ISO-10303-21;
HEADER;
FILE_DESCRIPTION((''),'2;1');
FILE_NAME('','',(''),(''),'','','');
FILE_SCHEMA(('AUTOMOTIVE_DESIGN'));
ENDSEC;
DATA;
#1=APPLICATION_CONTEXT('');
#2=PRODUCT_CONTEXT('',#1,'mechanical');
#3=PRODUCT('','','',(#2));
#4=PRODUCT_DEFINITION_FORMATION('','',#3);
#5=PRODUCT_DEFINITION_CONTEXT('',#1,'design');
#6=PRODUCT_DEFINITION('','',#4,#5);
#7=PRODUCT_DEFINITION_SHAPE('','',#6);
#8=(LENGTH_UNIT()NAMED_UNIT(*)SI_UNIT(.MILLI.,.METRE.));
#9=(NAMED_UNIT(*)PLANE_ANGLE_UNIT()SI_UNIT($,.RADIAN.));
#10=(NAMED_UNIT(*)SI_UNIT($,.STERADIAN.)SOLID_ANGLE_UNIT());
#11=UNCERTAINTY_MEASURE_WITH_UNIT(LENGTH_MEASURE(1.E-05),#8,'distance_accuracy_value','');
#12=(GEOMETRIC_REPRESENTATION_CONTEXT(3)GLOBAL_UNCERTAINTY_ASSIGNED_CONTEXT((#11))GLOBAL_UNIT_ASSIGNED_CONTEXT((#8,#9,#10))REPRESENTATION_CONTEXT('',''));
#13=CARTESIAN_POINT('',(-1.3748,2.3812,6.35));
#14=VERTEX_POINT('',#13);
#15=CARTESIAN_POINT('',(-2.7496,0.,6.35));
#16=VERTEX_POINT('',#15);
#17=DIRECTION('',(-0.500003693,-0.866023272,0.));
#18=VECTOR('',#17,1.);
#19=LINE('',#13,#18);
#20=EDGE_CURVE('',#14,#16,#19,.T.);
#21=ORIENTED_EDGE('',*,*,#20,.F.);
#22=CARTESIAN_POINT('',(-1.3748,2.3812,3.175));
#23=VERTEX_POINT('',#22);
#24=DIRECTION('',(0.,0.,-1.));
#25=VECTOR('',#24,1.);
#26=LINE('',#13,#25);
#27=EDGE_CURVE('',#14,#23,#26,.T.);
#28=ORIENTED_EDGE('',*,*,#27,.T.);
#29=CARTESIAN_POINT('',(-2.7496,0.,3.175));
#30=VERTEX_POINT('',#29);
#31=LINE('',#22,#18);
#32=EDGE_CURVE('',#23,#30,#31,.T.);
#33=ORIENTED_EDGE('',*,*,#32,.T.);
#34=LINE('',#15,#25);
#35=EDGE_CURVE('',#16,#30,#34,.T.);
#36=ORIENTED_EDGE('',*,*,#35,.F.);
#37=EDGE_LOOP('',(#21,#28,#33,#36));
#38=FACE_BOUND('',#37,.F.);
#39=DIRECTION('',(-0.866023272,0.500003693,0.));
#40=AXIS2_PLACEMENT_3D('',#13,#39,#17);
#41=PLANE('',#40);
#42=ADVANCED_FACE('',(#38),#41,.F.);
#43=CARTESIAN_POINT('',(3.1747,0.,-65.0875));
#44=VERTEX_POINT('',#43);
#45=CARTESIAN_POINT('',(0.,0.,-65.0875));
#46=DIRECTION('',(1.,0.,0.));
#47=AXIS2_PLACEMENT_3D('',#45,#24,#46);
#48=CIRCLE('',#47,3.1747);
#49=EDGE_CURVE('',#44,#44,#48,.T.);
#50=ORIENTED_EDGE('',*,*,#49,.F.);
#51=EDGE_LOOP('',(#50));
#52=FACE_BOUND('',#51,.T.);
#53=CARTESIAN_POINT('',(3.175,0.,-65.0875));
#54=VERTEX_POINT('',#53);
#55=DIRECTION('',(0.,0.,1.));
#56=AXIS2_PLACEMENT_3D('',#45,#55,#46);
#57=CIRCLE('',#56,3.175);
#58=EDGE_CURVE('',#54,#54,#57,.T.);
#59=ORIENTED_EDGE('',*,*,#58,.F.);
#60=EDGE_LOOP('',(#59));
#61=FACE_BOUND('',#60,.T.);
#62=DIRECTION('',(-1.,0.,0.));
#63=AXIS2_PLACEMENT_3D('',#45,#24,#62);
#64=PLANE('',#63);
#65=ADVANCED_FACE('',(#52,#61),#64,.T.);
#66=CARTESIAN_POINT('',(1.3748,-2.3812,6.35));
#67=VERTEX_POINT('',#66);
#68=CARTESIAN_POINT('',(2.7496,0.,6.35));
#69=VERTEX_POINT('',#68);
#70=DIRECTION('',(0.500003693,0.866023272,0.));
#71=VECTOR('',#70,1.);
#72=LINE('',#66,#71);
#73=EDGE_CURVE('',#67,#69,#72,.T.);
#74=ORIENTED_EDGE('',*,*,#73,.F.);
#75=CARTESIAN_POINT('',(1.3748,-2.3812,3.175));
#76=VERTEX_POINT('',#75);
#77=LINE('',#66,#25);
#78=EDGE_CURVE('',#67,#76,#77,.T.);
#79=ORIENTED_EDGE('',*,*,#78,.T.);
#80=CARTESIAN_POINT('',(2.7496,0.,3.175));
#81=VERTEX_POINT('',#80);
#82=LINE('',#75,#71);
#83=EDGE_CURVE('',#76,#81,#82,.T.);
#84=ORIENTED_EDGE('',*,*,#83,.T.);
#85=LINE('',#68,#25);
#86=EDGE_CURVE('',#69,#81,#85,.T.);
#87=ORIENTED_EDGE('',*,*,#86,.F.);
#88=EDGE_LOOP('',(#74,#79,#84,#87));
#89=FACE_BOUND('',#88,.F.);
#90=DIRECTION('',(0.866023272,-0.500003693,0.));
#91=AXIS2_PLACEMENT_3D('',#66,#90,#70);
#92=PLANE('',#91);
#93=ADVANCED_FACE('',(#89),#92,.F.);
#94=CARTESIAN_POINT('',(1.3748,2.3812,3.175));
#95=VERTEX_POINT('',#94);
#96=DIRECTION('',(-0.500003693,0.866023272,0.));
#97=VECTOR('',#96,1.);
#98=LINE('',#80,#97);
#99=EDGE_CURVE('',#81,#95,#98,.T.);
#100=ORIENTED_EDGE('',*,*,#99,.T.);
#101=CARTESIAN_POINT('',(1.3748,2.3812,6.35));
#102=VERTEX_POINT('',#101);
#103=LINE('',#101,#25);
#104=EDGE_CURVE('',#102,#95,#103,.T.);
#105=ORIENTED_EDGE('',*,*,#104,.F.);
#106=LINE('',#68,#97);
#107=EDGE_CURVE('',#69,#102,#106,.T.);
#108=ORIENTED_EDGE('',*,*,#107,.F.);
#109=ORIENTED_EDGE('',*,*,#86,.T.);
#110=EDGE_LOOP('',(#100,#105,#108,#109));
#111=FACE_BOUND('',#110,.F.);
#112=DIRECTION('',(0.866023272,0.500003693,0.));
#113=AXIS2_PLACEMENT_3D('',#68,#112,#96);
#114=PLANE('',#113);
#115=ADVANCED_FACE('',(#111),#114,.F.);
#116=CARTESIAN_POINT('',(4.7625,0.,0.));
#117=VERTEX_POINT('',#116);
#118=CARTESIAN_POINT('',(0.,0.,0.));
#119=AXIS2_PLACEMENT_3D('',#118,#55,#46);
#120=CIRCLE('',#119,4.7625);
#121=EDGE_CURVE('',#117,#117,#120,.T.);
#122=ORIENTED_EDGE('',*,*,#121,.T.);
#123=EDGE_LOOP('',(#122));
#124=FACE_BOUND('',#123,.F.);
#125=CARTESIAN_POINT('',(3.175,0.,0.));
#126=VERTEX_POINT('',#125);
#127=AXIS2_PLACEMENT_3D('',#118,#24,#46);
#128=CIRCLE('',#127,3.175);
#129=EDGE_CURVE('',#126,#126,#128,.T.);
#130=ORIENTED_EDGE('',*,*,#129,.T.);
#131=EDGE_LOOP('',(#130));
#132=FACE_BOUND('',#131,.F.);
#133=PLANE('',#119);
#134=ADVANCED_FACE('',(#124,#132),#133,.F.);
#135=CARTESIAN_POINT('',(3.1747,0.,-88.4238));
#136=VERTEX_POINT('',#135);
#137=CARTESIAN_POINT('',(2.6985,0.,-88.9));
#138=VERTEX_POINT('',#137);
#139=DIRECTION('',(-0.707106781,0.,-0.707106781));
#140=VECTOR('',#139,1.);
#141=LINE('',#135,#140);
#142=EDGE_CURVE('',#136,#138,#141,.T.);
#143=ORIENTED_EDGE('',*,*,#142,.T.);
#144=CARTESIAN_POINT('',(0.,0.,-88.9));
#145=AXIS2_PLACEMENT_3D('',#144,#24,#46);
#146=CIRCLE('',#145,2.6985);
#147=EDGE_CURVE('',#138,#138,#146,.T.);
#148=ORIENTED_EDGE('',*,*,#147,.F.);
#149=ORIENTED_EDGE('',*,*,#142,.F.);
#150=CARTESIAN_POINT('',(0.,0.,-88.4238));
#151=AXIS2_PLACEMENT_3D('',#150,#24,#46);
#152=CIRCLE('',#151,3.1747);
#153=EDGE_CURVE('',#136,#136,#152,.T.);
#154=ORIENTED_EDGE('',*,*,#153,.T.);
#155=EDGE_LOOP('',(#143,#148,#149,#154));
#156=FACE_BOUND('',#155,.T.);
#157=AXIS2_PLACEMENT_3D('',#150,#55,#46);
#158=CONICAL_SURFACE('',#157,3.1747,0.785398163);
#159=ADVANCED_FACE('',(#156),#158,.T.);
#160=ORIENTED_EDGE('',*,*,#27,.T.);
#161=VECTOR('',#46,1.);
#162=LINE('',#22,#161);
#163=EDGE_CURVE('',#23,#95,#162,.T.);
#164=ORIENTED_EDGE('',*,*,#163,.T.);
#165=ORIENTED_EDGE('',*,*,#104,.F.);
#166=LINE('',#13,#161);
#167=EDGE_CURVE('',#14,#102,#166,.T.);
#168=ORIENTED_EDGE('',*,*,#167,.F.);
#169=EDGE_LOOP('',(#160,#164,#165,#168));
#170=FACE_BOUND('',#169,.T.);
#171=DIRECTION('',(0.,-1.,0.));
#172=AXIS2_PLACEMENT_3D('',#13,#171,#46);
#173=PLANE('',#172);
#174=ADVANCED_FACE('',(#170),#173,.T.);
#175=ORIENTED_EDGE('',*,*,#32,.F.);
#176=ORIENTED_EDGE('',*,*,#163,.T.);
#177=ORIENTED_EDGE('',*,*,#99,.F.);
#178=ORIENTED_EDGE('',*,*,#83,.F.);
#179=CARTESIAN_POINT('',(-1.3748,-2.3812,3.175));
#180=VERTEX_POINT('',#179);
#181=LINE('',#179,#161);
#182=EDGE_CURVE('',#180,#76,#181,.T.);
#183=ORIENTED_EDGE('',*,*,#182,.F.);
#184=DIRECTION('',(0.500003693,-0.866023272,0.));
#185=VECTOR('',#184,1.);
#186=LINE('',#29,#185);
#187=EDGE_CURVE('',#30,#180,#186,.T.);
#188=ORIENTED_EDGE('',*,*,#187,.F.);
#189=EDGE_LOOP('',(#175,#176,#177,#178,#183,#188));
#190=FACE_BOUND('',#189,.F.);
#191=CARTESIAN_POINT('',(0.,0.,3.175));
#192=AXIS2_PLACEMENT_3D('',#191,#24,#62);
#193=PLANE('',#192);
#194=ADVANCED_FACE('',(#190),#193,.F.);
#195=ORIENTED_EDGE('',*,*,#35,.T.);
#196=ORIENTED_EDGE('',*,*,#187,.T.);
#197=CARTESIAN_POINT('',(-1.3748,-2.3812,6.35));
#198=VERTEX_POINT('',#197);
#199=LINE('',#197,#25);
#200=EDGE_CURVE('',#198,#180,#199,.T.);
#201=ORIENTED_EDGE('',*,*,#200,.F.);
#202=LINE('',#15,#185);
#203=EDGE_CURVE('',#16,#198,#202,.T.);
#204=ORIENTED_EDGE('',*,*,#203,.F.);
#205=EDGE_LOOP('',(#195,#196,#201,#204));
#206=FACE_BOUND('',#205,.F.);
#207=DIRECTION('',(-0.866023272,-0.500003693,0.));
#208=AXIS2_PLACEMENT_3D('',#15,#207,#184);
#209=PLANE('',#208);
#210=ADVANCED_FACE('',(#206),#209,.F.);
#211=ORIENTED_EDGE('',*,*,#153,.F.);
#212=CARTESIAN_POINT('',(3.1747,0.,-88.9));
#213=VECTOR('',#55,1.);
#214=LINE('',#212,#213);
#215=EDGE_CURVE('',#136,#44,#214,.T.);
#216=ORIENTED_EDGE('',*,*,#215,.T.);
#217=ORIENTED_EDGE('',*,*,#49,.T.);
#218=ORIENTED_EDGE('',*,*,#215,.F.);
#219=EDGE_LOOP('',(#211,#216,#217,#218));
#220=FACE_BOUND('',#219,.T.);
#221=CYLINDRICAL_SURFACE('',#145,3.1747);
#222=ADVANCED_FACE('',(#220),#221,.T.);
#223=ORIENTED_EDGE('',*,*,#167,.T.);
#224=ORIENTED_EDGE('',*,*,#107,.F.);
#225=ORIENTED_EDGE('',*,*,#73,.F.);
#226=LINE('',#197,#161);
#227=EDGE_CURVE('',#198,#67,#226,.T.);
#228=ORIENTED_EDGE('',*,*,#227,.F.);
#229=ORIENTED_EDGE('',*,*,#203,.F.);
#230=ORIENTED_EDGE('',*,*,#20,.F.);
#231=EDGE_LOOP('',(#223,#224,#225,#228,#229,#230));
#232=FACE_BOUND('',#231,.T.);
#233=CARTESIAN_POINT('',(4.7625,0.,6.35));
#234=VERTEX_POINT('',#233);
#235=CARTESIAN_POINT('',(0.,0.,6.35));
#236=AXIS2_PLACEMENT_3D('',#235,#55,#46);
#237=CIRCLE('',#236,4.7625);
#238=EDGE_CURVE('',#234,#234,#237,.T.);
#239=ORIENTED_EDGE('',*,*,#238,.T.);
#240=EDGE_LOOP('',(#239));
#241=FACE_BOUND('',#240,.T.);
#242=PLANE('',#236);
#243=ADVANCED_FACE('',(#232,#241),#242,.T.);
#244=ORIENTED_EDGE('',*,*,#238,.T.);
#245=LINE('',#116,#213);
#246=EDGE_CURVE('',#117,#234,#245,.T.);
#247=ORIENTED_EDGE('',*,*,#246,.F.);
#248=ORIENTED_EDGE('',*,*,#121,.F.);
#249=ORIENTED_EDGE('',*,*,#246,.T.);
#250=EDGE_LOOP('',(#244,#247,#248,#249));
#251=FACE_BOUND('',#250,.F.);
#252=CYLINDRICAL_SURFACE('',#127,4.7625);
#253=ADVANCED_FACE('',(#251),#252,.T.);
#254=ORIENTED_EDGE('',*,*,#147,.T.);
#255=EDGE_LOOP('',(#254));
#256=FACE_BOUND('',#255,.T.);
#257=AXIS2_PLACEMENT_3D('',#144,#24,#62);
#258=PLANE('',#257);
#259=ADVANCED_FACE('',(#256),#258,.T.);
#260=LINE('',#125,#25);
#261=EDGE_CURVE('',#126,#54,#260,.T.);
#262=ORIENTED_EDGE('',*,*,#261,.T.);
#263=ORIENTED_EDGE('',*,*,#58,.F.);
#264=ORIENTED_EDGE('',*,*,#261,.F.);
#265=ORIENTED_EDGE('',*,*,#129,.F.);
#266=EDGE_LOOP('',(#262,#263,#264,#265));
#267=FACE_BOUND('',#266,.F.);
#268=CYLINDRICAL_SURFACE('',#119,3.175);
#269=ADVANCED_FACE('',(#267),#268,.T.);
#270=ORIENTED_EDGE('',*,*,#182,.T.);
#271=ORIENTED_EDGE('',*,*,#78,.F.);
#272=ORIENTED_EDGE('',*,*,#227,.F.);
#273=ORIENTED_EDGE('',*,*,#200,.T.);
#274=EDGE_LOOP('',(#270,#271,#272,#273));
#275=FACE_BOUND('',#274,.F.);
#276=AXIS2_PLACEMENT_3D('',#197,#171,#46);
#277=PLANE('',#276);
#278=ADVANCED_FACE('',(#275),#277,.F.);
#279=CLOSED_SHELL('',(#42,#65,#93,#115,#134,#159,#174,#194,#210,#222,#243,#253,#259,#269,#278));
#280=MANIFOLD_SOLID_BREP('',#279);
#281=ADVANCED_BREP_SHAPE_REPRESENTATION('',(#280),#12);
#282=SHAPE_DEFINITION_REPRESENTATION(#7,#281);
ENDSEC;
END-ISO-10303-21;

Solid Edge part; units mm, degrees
sketch "Sketch1" plane through (0, 0, 0) normal (0, 0, 1) x (1, 0, 0)
  circle A0 centre (0, 0) radius 4.7625
  dimension "D1" = 9.525
extrude "Protrusion1" add sketch "Sketch1" along normal blind 6.35
sketch "Sketch2" plane through (0, 0, 0) normal (0, 0, -1) x (1, 0, 0)
  circle A0 centre (0, 0) radius 3.175
extrude "Protrusion2" add sketch "Sketch2" along normal blind 88.9
sketch "Sketch3" plane through (0, 0, -88.9) normal (0, 0, -1) x (1, 0, 0)
  circle A0 centre (0, 0) radius 3.1747
extrude "Cutout1" cut sketch "Sketch3" against normal blind 23.8125 flip side to cut
chamfer "Chamfer_1" distance 0.4762 angle 45 1 edges at (-3.1747, 0, -88.9)
sketch "Sketch4" plane through (0, 0, 6.35) normal (0, 0, 1) x (1, 0, 0)
  line L0 (-1.3748, 2.3812) -> (1.3748, 2.3812)
  line L1 (2.7496, 0) -> (1.3748, 2.3812)
  line L2 (1.3748, -2.3812) -> (2.7496, 0)
  line L3 (-1.3748, -2.3812) -> (1.3748, -2.3812)
  line L4 (-2.7496, 0) -> (-1.3748, -2.3812)
  line L5 (-1.3748, 2.3812) -> (-2.7496, 0)
  dimension "D1" = 4.7625
extrude "Cutout2" cut sketch "Sketch4" against normal blind 3.175
properties part number "24100392"
